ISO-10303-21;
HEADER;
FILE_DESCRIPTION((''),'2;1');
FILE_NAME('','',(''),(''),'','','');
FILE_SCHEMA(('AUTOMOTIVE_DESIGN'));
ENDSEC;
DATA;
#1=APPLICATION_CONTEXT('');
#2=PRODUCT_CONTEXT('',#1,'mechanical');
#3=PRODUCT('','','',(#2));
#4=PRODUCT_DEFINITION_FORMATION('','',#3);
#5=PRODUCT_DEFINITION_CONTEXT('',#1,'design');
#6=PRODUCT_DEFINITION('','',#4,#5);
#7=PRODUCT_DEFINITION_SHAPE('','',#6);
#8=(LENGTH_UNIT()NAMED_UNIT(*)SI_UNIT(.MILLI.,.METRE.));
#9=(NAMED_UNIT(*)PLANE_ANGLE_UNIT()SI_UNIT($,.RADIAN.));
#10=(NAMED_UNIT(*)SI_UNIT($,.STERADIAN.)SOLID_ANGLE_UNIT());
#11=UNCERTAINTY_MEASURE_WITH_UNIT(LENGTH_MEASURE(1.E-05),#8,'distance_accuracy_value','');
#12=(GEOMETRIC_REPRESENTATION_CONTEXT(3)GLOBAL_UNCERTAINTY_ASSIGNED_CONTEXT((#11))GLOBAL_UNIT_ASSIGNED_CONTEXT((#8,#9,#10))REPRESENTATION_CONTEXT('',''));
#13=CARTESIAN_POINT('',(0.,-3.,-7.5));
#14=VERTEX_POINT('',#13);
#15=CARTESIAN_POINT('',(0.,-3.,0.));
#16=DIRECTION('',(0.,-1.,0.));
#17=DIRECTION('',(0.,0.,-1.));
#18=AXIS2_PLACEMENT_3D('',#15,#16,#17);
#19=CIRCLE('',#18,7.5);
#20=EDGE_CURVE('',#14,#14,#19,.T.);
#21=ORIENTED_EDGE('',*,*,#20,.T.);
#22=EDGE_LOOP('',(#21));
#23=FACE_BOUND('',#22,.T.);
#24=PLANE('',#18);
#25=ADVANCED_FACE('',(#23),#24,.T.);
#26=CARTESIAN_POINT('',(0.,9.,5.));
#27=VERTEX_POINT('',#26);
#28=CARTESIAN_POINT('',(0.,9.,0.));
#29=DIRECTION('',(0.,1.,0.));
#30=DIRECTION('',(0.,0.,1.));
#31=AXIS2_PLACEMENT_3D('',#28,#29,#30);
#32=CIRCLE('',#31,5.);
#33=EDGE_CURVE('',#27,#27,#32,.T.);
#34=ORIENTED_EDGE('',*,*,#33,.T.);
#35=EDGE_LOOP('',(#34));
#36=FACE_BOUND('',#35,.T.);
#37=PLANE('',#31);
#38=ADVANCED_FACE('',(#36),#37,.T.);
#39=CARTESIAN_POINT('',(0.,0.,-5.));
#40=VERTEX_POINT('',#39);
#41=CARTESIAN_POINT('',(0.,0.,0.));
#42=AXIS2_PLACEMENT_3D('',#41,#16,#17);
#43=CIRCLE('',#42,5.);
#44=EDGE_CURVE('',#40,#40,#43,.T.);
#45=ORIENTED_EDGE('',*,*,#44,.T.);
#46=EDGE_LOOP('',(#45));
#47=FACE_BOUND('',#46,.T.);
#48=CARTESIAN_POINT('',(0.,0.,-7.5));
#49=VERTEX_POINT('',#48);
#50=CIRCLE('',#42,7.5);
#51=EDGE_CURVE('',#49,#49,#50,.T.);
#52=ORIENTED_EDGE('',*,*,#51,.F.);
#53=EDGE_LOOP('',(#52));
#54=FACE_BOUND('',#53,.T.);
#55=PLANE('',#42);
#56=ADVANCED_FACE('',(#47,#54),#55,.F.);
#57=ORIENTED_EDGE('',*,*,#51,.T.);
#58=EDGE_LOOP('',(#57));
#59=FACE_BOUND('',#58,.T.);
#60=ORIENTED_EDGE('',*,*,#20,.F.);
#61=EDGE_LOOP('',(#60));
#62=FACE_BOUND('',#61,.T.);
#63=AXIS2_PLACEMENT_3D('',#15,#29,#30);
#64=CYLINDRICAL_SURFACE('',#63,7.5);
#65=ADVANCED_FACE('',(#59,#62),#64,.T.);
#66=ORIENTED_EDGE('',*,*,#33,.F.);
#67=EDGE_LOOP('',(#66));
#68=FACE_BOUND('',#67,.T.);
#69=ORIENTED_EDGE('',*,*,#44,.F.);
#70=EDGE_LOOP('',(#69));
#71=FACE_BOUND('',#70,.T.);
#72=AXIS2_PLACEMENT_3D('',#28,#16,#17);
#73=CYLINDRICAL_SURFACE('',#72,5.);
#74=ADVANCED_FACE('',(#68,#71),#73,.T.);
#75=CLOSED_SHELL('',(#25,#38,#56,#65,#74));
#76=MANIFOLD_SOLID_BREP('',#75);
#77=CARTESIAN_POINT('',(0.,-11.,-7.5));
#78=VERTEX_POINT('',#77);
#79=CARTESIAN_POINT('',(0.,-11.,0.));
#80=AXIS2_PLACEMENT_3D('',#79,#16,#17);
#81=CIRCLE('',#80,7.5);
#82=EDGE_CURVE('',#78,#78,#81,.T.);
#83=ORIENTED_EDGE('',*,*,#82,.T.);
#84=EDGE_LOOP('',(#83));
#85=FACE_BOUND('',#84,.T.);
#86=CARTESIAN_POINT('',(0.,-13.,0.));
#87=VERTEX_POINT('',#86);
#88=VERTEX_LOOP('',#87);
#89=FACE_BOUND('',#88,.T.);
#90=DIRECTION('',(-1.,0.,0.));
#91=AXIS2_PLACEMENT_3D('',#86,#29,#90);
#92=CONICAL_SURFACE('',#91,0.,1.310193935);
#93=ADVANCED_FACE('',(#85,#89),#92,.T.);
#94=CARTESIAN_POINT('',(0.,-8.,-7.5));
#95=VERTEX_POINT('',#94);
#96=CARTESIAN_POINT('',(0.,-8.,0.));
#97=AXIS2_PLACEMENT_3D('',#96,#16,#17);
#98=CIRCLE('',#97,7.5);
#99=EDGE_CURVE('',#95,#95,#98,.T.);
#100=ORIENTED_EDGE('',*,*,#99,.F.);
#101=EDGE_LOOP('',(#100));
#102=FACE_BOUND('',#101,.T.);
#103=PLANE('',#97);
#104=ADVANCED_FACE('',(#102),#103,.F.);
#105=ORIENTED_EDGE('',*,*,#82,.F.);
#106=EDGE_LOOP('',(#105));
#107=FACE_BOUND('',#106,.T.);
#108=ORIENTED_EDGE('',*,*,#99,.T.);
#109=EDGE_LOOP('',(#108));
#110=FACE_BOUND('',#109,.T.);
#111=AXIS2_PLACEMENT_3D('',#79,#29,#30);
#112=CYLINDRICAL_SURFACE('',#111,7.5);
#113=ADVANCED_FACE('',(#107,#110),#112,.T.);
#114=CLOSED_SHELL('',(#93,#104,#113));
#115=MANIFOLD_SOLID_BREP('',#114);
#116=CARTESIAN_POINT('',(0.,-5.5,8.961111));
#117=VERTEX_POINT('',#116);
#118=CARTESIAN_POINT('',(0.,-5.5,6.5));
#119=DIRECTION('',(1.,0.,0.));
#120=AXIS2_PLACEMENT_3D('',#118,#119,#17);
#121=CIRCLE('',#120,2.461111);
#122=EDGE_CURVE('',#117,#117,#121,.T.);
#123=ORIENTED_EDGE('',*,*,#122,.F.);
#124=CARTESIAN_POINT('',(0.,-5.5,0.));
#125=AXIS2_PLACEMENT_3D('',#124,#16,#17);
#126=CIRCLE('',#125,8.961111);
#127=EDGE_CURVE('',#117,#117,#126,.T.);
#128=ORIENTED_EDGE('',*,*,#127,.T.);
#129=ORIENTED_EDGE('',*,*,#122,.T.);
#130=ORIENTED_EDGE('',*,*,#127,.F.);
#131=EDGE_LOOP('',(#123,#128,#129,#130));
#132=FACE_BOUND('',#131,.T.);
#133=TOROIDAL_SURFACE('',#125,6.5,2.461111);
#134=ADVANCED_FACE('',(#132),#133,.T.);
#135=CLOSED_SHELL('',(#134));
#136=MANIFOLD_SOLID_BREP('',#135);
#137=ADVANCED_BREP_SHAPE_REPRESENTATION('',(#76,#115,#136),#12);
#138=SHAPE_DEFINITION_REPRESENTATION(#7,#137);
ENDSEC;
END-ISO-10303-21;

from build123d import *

# Parameters (mm, degrees)
SKETCH1_R           = 5
BOSS_EXTRUDE1_DEPTH = 9
SKETCH2_R           = 7.5
BOSS_EXTRUDE2_DEPTH = 3
SKETCH5_R           = 2.461110706
SKETCH12_R          = 7.5
BOSS_EXTRUDE3_DEPTH = 3


with BuildPart() as part:
    # Sketch1 → Boss-Extrude1 (new body)
    with BuildSketch(Plane(origin=(0, 0, 0), x_dir=(1, 0, 0), z_dir=(0, 1, 0))):
        with Locations(Location((0, 0, 0), (0, 0, 270))):
            Circle(SKETCH1_R)
    extrude(amount=BOSS_EXTRUDE1_DEPTH)

    # Sketch2 → Boss-Extrude2 (add)
    with BuildSketch(Plane(origin=(0, 0, 0), x_dir=(-1, 0, 0), z_dir=(0, -1, 0))):
        with Locations(Location((0, 0, 0), (0, 0, 90))):
            Circle(SKETCH2_R)
    extrude(amount=BOSS_EXTRUDE2_DEPTH)


with BuildPart() as body_2:
    # Sweep1: sweep along a path in Sketch3
    with BuildLine(Plane(origin=(0, -5.5, 0), x_dir=(-1, 0, 0), z_dir=(0, -1, 0))) as sweep1_path:
        CenterArc((0, 0), 6.5, 0, 360)
    # Sketch5 → Sweep1 (sweep)
    with BuildSketch(Plane(origin=(0, 0, 0), x_dir=(0, 0, -1), z_dir=(1, 0, 0))):
        with Locations((-6.5, -5.5)):
            Circle(SKETCH5_R)
    sweep(path=sweep1_path.line)


with BuildPart() as body_3:
    # Sketch12 → Boss-Extrude3 (new body)
    with BuildSketch(Plane(origin=(0, -8, 0), x_dir=(-1, 0, 0), z_dir=(0, -1, 0))):
        with Locations(Location((0, 0, 0), (0, 0, 90))):
            Circle(SKETCH12_R)
    extrude(amount=BOSS_EXTRUDE3_DEPTH)

    # Sketch13 → Revolve1 (revolve)
    with BuildSketch(Plane.XY, mode=Mode.PRIVATE) as revolve1_sk:
        Polygon((0, -11), (0, -13), (7.5, -11), align=None)
    revolve(revolve1_sk.sketch.rotate(Axis((0, -11, 0), (0, -1, 0)), 180), axis=Axis((0, -11, 0), (0, -1, 0)))


solid = Compound([part.part, body_2.part, body_3.part])
